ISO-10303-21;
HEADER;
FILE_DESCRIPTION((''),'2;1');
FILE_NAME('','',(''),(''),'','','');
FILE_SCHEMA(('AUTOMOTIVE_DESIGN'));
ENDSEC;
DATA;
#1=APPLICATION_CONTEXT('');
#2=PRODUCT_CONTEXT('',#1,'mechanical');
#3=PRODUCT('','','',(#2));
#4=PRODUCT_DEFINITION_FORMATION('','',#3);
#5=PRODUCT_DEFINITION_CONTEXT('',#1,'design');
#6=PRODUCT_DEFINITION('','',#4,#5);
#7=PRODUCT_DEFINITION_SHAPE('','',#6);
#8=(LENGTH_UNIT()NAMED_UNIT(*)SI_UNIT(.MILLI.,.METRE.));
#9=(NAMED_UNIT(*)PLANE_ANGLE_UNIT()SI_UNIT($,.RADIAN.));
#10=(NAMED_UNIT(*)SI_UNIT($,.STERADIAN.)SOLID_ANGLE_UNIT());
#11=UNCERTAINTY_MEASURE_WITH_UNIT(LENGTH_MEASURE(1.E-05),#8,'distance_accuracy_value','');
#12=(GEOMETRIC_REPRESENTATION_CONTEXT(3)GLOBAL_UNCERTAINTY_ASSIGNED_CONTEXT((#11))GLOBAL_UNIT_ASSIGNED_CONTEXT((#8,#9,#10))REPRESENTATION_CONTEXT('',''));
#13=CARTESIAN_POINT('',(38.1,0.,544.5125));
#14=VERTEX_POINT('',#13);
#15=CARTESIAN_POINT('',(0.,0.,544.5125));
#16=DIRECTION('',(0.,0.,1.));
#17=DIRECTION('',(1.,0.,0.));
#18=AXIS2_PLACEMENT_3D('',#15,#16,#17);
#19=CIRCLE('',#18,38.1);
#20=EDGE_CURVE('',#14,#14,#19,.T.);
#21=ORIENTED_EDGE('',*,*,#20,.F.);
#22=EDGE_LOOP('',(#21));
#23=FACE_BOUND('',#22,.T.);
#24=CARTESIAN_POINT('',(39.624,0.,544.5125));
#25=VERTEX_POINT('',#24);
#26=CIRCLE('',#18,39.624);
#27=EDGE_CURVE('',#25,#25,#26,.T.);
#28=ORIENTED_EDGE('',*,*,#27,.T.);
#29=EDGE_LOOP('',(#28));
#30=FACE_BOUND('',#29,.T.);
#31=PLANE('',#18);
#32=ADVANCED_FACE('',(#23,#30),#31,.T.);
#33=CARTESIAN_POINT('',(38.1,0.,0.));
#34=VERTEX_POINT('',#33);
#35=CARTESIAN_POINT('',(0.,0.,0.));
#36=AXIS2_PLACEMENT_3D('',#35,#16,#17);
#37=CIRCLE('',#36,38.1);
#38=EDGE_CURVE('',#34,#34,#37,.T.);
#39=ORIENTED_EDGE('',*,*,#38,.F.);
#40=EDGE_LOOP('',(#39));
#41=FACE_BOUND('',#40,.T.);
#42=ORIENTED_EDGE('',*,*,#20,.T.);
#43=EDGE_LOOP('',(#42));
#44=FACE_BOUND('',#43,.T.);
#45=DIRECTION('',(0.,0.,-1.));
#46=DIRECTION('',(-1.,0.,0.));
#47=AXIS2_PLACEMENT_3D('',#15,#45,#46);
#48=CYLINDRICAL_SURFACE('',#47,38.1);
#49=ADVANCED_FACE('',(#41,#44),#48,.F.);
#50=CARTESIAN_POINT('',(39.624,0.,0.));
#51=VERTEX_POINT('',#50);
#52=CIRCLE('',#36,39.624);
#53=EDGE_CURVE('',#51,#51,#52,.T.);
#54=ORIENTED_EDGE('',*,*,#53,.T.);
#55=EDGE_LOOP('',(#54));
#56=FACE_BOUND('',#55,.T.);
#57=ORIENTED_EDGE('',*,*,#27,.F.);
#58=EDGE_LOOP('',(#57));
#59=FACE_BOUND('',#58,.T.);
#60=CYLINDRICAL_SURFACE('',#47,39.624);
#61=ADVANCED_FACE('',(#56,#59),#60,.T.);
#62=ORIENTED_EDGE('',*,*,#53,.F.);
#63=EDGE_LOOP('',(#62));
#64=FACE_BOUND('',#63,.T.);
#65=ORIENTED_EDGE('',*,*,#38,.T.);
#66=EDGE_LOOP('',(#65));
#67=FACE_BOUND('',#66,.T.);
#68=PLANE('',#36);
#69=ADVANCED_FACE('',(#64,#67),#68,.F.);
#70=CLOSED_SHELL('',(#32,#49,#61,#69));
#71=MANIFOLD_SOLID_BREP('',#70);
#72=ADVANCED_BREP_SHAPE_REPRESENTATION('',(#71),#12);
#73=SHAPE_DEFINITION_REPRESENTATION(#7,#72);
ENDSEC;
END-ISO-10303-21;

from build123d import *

# Parameters (mm, degrees)
SKETCH1_R           = 39.624
SKETCH1_R_2         = 38.1
BOSS_EXTRUDE1_DEPTH = 544.5125


with BuildPart() as part:
    # Sketch1 → Boss-Extrude1 (new body)
    with BuildSketch(Plane.XY):
        Circle(SKETCH1_R)
        Circle(SKETCH1_R_2, mode=Mode.SUBTRACT)
    extrude(amount=BOSS_EXTRUDE1_DEPTH)


solid = part.part
